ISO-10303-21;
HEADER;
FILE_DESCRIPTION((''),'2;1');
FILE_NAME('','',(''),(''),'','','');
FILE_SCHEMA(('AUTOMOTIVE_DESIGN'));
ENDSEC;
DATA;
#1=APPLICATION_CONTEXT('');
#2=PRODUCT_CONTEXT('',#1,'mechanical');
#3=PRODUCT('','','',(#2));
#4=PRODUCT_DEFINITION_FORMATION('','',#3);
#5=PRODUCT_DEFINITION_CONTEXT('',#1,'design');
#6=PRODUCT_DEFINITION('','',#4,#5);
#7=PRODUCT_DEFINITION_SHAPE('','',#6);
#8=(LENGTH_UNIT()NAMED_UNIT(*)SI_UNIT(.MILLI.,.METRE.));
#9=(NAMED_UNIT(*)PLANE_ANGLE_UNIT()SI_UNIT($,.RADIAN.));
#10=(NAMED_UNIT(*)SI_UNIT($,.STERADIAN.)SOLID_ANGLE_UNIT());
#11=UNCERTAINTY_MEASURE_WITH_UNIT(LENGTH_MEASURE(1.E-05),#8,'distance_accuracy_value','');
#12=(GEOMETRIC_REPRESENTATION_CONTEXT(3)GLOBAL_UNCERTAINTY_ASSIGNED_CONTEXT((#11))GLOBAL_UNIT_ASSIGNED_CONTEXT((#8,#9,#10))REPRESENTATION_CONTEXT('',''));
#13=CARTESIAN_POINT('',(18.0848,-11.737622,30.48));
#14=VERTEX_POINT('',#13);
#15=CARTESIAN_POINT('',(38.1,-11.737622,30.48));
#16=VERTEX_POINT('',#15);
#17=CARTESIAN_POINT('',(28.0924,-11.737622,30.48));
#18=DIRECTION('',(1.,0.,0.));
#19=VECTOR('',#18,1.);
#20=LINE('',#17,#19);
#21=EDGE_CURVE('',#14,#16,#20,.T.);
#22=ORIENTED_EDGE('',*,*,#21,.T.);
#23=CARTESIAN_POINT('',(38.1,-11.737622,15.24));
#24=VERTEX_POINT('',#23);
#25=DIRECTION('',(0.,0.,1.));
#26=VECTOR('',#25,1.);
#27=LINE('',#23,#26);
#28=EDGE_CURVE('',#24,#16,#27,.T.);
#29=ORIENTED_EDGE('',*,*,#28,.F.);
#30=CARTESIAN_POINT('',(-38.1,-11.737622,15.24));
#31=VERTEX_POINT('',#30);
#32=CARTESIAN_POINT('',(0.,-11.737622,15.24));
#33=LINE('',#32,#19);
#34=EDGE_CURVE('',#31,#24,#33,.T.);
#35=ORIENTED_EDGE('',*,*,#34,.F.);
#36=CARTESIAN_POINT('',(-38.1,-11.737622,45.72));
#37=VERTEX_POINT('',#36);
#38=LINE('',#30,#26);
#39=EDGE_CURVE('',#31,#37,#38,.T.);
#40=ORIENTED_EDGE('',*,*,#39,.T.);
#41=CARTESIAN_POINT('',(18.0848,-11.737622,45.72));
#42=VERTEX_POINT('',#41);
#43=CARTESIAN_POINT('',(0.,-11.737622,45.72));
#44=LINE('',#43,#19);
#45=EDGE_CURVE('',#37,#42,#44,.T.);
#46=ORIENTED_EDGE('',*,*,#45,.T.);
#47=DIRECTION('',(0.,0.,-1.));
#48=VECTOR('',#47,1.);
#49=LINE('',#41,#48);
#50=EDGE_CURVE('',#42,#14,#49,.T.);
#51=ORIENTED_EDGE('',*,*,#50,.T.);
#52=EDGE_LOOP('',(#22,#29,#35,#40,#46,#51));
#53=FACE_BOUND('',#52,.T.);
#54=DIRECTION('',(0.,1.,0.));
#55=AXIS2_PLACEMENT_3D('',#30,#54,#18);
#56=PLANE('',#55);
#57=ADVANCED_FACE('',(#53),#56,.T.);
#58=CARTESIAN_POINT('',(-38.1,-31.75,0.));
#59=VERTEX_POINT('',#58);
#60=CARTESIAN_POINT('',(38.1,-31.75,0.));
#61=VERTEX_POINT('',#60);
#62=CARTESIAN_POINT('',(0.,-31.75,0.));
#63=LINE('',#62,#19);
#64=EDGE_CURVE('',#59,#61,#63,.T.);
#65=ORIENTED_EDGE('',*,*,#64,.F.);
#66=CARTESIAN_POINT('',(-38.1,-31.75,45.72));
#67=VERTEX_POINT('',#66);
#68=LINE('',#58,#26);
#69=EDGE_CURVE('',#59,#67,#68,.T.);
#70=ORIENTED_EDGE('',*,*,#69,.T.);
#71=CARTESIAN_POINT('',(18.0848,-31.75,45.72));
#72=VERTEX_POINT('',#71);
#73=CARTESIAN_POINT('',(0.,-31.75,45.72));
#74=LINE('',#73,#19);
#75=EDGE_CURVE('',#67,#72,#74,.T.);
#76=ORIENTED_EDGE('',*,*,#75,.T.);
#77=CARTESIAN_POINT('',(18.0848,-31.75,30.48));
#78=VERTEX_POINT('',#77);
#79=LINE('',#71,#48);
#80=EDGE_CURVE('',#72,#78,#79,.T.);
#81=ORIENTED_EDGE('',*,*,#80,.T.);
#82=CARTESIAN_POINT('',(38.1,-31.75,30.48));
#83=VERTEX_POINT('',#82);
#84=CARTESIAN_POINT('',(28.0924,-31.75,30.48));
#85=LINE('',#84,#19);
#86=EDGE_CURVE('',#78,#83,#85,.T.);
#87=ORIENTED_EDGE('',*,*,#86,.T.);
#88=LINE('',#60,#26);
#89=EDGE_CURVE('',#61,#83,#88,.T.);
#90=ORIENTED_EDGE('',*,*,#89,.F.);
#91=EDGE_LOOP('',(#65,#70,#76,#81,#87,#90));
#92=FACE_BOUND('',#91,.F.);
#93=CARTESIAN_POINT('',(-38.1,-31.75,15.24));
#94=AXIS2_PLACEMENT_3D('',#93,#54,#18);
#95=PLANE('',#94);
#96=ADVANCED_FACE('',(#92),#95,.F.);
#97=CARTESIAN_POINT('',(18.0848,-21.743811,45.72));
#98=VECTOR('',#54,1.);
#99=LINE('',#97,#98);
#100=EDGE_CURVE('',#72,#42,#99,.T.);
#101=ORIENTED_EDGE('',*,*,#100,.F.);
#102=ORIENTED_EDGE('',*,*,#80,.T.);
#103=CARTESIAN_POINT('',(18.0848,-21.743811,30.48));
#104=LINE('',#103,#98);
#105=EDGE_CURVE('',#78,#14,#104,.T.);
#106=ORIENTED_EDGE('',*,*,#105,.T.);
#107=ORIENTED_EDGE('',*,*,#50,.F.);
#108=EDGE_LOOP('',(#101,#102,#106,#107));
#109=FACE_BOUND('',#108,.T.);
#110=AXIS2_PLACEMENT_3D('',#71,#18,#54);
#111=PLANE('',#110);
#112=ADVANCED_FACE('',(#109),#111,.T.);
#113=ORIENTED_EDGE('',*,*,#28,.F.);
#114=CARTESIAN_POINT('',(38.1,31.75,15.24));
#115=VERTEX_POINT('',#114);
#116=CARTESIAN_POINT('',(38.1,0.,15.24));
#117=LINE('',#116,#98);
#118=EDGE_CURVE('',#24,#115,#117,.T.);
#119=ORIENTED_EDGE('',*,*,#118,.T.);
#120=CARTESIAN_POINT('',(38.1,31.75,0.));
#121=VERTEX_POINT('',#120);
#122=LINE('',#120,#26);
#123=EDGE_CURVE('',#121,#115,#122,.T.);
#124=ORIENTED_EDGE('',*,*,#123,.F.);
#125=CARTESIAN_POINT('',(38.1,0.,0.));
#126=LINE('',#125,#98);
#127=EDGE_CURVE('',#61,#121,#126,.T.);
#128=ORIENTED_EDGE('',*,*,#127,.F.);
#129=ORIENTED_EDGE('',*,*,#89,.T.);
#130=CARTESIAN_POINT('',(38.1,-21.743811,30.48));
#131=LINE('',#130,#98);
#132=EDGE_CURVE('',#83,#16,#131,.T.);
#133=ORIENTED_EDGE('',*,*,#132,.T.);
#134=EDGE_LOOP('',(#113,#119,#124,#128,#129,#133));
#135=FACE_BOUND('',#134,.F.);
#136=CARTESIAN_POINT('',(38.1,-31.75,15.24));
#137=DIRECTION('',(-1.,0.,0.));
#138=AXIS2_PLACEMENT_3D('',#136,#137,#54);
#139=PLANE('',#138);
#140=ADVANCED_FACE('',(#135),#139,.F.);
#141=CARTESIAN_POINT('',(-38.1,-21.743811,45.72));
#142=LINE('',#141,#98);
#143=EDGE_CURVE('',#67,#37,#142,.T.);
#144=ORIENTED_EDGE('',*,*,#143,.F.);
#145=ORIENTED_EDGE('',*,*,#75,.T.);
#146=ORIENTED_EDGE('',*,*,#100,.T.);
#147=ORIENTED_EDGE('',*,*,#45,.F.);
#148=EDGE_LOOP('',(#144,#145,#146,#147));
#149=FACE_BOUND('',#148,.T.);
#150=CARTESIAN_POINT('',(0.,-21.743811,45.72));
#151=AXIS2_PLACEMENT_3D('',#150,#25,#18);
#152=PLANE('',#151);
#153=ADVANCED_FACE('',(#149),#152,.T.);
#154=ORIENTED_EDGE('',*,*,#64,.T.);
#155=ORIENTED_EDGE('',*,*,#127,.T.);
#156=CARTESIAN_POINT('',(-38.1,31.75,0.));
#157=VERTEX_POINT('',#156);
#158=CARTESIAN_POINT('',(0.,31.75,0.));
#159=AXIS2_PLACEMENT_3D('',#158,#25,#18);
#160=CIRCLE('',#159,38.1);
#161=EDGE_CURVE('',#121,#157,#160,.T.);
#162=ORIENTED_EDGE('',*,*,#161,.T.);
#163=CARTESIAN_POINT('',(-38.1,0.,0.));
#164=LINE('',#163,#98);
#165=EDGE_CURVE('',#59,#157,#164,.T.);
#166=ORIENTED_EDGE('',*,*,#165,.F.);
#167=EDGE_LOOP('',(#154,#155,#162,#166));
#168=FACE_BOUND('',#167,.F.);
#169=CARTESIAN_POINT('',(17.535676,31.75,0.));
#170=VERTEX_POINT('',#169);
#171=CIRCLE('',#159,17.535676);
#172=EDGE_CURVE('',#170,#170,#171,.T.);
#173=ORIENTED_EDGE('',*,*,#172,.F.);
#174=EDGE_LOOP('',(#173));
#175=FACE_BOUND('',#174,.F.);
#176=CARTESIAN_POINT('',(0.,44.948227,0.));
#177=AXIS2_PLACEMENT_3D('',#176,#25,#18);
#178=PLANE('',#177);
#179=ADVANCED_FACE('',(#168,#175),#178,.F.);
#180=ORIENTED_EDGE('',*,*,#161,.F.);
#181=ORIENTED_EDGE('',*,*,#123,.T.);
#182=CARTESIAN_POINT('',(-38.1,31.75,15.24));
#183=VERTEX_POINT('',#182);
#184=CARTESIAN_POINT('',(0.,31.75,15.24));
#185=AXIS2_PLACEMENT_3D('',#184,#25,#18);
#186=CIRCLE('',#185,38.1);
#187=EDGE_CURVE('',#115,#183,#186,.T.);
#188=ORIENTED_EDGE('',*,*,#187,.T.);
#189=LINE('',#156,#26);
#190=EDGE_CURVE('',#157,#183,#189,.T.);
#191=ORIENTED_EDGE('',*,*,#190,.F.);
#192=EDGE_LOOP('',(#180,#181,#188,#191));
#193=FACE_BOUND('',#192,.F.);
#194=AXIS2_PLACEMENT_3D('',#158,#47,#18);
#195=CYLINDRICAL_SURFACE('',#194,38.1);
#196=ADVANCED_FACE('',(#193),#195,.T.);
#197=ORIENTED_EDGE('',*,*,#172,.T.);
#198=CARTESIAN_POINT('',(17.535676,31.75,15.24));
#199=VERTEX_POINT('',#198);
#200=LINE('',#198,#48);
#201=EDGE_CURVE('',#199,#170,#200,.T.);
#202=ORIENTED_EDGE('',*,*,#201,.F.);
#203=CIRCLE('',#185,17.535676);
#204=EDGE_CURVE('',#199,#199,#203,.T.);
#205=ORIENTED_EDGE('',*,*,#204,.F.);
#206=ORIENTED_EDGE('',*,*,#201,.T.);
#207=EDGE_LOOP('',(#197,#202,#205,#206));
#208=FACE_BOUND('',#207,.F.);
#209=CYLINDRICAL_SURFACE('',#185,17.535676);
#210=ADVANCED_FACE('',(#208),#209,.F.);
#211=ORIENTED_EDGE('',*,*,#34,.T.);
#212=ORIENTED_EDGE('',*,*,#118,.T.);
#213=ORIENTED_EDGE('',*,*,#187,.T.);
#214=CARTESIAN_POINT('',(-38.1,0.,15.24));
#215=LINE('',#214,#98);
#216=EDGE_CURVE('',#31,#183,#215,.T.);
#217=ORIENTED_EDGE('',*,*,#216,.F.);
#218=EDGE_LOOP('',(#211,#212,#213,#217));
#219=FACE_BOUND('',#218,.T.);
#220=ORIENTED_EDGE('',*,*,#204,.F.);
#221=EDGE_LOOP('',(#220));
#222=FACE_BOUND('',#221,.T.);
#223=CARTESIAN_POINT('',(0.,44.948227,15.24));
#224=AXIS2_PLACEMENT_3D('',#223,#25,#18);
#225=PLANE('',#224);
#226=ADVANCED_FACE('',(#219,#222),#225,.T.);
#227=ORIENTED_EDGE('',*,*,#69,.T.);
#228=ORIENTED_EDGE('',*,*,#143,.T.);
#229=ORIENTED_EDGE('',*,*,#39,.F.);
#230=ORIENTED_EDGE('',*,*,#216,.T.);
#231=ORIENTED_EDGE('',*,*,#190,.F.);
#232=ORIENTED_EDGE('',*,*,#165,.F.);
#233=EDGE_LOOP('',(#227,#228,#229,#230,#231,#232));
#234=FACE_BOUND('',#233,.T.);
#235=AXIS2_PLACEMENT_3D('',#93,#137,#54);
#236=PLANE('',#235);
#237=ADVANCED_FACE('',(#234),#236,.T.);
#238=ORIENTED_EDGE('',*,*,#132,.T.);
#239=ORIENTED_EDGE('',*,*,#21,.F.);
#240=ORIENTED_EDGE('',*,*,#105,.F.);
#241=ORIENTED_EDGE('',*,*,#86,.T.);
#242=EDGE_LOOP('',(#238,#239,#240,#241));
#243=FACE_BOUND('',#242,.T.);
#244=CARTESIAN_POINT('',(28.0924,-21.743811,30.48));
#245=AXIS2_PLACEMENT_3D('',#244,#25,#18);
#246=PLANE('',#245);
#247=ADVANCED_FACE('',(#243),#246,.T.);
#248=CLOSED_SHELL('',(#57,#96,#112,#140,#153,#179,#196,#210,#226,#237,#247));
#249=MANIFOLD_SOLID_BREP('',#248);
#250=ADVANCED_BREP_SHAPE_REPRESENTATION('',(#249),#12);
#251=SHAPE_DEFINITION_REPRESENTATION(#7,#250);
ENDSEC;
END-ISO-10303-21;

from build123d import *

# Parameters (mm, degrees)
F0_W     = 76.2
F0_H     = 63.5
F1_DEPTH = 15.24
F2_R     = 17.535676
F3_DEPTH = 15.241
F4_W     = 76.2
F4_H     = 20.012378
F5_DEPTH = 30.48
F6_W     = 20.0152
F6_H     = 20.012378
F7_DEPTH = 15.24


with BuildPart() as f1:
    # F0 (on Top) → F1 (new body)
    with BuildSketch(Plane.XY):
        with BuildLine():
            Line((-38.1, 31.75), (38.1, 31.75))
            ThreePointArc((38.1, 31.75), (0, 69.85), (-38.1, 31.75))
        make_face()
        Rectangle(F0_W, F0_H)
    extrude(amount=F1_DEPTH)

    # F2 (on face) → F3 (cut, through all)
    with BuildSketch(Plane.XY.offset(15.24)):
        with Locations((0, 31.75)):
            Circle(F2_R)
    extrude(amount=-F3_DEPTH, mode=Mode.SUBTRACT)

    # F4 (on face) → F5 (join)
    with BuildSketch(Plane.XY.offset(15.24)):
        with Locations((0, -21.743811)):
            Rectangle(F4_W, F4_H)
    extrude(amount=F5_DEPTH)

    # F6 (on face) → F7 (cut)
    with BuildSketch(Plane.XY.offset(45.72)):
        with Locations((28.0924, -21.743811)):
            Rectangle(F6_W, F6_H)
    extrude(amount=-F7_DEPTH, mode=Mode.SUBTRACT)


solid = f1.part
